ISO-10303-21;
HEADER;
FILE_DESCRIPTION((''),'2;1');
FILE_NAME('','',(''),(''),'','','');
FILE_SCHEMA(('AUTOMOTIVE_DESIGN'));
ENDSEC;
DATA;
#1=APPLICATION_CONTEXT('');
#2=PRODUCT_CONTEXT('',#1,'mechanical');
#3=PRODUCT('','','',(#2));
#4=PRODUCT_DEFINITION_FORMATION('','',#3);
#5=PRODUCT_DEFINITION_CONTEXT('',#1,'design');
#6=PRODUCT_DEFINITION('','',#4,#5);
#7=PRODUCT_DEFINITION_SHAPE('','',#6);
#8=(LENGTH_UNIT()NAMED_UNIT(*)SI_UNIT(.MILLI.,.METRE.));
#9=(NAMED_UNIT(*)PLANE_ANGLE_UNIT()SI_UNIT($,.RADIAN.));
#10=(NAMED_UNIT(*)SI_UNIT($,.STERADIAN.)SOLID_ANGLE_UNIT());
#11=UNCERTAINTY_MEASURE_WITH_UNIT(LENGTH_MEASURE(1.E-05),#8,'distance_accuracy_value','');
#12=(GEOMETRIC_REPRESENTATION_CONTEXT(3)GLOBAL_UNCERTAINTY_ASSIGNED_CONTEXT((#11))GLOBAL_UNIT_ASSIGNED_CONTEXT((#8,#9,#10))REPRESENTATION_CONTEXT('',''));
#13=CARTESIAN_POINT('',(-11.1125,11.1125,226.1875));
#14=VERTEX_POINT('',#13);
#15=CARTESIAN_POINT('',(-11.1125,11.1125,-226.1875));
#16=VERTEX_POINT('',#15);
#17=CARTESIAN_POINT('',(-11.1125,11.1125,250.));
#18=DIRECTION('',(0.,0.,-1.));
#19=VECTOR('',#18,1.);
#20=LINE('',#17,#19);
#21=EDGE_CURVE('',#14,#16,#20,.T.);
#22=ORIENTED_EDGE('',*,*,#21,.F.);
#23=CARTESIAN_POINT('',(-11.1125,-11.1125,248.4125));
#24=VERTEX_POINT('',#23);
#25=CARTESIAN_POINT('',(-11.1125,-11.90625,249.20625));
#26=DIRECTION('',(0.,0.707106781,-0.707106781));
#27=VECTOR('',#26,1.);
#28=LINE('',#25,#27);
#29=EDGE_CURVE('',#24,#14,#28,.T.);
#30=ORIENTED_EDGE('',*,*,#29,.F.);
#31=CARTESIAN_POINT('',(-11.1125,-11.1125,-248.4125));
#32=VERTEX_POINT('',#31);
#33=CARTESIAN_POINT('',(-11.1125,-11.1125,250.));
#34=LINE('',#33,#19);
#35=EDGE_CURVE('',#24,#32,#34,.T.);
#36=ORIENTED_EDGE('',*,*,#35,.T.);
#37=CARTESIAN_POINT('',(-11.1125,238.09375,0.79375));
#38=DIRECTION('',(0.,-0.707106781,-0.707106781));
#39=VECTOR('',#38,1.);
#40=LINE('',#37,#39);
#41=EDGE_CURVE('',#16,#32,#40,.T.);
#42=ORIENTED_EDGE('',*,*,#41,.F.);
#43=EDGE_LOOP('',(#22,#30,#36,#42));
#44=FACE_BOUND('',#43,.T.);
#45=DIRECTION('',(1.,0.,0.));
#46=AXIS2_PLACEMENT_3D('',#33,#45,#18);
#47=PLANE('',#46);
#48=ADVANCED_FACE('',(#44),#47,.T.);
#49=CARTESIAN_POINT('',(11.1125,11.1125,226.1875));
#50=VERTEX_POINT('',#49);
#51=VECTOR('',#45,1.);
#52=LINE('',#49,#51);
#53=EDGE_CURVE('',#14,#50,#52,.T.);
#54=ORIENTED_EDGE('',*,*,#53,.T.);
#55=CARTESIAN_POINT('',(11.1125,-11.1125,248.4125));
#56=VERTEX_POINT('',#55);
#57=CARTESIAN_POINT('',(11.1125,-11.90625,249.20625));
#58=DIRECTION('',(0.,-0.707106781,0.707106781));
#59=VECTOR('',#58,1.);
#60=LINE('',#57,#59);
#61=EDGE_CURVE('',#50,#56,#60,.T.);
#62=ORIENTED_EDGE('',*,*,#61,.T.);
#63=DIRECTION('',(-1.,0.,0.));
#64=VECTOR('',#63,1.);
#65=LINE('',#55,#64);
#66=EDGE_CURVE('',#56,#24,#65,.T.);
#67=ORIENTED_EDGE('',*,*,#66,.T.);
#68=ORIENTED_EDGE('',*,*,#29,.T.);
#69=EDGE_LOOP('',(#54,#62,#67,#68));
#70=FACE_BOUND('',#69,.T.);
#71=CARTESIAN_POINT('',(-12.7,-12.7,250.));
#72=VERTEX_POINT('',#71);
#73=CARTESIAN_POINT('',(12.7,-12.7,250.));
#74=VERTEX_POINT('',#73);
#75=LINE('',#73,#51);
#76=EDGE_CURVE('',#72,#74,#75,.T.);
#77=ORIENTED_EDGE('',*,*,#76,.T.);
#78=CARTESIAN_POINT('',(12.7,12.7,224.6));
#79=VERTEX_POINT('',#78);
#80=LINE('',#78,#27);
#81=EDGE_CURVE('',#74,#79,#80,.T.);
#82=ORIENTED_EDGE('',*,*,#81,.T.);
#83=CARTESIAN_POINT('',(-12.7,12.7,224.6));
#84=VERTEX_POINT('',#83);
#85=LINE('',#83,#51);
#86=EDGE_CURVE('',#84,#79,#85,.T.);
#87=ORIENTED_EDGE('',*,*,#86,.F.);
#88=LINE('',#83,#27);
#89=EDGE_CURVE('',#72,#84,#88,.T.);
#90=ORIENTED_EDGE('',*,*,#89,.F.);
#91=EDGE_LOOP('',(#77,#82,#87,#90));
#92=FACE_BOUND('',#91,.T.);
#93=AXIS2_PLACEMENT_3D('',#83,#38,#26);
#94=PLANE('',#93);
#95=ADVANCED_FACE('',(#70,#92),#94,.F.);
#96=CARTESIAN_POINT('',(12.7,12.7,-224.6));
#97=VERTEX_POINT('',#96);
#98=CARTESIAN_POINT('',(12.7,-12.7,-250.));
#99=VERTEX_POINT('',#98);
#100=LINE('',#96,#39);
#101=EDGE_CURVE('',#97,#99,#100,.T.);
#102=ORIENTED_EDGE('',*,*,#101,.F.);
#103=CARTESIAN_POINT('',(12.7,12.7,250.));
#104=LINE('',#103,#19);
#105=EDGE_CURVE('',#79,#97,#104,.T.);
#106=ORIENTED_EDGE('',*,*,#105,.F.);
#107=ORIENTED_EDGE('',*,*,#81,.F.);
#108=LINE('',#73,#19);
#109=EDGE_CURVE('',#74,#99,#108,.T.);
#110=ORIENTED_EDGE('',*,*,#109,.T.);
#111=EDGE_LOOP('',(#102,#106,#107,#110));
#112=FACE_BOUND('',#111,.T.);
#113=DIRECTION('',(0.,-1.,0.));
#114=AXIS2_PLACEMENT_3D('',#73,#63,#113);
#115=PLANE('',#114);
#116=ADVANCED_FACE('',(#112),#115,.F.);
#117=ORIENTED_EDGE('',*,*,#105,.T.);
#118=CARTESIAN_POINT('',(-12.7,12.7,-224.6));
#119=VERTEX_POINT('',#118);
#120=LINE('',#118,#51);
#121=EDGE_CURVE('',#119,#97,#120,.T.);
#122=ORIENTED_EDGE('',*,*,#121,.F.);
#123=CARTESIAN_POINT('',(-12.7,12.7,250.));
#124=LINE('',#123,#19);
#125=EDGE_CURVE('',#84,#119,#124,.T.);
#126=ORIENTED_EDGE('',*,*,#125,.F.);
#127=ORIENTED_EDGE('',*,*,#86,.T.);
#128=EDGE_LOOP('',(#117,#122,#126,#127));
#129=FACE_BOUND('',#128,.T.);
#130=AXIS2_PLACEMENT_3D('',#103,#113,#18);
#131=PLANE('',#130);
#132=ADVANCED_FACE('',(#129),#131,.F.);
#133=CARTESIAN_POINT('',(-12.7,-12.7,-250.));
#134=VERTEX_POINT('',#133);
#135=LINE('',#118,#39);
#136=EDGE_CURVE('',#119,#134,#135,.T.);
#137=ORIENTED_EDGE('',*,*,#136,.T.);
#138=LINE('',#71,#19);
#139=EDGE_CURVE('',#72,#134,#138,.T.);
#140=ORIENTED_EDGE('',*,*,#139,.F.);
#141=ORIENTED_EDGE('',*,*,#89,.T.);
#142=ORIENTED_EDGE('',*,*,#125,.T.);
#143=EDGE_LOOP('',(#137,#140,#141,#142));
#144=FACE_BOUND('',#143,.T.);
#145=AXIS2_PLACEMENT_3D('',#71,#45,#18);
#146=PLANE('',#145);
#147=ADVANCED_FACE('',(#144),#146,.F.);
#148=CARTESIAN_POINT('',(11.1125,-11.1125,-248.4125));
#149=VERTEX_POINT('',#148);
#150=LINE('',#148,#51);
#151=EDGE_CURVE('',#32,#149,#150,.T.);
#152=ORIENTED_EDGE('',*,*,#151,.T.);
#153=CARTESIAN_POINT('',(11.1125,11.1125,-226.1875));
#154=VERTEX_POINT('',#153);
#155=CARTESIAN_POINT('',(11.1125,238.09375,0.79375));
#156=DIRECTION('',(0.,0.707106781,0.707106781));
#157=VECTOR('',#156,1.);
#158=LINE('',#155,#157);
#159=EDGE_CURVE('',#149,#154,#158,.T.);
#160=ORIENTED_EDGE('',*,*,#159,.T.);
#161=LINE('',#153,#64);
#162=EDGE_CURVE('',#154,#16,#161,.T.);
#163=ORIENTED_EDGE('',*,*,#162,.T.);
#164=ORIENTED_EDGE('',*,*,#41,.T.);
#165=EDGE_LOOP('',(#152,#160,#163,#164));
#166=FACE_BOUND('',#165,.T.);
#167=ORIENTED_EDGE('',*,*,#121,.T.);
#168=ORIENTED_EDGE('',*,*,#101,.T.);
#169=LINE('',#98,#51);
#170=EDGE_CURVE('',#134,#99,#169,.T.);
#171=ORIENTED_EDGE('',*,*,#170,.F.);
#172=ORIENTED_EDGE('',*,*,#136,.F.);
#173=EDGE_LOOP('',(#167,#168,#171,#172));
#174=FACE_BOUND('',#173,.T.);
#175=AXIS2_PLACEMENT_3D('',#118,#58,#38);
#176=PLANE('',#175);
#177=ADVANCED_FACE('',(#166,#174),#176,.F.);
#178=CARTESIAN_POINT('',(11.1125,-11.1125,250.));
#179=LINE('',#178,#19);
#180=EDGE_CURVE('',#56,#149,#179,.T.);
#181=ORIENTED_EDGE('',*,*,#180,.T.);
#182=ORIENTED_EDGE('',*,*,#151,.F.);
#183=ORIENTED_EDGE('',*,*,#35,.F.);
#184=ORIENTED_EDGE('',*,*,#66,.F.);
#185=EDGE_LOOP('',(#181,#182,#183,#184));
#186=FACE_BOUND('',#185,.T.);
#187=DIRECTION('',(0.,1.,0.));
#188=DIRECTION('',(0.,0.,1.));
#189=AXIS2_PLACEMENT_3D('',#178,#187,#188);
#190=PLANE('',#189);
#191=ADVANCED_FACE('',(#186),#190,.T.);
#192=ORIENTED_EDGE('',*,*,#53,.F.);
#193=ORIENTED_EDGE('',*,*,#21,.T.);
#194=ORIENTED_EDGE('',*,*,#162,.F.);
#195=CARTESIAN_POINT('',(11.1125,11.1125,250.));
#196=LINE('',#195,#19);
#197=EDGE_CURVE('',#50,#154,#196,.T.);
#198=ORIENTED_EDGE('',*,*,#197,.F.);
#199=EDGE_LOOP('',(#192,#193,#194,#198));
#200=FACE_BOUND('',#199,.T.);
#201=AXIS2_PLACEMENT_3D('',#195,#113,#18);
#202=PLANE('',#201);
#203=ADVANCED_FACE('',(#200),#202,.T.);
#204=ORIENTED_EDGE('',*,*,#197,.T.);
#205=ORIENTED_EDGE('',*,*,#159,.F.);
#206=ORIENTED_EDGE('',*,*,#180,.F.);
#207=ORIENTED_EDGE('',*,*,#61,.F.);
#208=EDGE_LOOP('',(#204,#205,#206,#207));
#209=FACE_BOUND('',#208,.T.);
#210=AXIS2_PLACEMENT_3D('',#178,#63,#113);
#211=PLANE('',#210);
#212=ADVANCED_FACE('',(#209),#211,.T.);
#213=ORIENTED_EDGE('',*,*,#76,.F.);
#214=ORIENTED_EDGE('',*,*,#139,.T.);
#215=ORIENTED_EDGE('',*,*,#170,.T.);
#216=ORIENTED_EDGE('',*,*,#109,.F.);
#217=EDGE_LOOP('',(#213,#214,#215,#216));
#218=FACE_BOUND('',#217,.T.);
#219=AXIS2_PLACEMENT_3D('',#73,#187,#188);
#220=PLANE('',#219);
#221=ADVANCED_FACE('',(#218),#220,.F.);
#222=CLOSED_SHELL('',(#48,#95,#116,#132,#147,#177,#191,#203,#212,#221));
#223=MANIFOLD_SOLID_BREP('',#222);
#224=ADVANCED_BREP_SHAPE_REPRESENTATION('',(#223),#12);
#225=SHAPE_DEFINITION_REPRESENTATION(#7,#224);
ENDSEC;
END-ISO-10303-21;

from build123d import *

# Parameters (mm, degrees)
SKETCH1_W           = 25.4
SKETCH1_H           = 25.4
SKETCH1_W_2         = 22.225
SKETCH1_H_2         = 22.225
BOSS_EXTRUDE1_DEPTH = 250
CUT_EXTRUDE1_DEPTH  = 252.607730406


with BuildPart() as part:
    # Sketch1 → Boss-Extrude1 (new, symmetric)
    with BuildSketch(Plane.XY):
        Rectangle(SKETCH1_W, SKETCH1_H)
        Rectangle(SKETCH1_W_2, SKETCH1_H_2, mode=Mode.SUBTRACT)
    extrude(amount=BOSS_EXTRUDE1_DEPTH, both=True)

    # Sketch2 → Cut-Extrude1 (cut, through all)
    with BuildSketch(Plane(origin=(12.7, 0, 0), x_dir=(0, 0, -1), z_dir=(1, 0, 0))):
        Polygon((-250, -12.7), (-250, 12.7), (-224.6, 12.7), align=None)
        Polygon((250, -12.7), (250, 12.7), (224.6, 12.7), align=None)
    extrude(amount=-CUT_EXTRUDE1_DEPTH, mode=Mode.SUBTRACT)


solid = part.part
